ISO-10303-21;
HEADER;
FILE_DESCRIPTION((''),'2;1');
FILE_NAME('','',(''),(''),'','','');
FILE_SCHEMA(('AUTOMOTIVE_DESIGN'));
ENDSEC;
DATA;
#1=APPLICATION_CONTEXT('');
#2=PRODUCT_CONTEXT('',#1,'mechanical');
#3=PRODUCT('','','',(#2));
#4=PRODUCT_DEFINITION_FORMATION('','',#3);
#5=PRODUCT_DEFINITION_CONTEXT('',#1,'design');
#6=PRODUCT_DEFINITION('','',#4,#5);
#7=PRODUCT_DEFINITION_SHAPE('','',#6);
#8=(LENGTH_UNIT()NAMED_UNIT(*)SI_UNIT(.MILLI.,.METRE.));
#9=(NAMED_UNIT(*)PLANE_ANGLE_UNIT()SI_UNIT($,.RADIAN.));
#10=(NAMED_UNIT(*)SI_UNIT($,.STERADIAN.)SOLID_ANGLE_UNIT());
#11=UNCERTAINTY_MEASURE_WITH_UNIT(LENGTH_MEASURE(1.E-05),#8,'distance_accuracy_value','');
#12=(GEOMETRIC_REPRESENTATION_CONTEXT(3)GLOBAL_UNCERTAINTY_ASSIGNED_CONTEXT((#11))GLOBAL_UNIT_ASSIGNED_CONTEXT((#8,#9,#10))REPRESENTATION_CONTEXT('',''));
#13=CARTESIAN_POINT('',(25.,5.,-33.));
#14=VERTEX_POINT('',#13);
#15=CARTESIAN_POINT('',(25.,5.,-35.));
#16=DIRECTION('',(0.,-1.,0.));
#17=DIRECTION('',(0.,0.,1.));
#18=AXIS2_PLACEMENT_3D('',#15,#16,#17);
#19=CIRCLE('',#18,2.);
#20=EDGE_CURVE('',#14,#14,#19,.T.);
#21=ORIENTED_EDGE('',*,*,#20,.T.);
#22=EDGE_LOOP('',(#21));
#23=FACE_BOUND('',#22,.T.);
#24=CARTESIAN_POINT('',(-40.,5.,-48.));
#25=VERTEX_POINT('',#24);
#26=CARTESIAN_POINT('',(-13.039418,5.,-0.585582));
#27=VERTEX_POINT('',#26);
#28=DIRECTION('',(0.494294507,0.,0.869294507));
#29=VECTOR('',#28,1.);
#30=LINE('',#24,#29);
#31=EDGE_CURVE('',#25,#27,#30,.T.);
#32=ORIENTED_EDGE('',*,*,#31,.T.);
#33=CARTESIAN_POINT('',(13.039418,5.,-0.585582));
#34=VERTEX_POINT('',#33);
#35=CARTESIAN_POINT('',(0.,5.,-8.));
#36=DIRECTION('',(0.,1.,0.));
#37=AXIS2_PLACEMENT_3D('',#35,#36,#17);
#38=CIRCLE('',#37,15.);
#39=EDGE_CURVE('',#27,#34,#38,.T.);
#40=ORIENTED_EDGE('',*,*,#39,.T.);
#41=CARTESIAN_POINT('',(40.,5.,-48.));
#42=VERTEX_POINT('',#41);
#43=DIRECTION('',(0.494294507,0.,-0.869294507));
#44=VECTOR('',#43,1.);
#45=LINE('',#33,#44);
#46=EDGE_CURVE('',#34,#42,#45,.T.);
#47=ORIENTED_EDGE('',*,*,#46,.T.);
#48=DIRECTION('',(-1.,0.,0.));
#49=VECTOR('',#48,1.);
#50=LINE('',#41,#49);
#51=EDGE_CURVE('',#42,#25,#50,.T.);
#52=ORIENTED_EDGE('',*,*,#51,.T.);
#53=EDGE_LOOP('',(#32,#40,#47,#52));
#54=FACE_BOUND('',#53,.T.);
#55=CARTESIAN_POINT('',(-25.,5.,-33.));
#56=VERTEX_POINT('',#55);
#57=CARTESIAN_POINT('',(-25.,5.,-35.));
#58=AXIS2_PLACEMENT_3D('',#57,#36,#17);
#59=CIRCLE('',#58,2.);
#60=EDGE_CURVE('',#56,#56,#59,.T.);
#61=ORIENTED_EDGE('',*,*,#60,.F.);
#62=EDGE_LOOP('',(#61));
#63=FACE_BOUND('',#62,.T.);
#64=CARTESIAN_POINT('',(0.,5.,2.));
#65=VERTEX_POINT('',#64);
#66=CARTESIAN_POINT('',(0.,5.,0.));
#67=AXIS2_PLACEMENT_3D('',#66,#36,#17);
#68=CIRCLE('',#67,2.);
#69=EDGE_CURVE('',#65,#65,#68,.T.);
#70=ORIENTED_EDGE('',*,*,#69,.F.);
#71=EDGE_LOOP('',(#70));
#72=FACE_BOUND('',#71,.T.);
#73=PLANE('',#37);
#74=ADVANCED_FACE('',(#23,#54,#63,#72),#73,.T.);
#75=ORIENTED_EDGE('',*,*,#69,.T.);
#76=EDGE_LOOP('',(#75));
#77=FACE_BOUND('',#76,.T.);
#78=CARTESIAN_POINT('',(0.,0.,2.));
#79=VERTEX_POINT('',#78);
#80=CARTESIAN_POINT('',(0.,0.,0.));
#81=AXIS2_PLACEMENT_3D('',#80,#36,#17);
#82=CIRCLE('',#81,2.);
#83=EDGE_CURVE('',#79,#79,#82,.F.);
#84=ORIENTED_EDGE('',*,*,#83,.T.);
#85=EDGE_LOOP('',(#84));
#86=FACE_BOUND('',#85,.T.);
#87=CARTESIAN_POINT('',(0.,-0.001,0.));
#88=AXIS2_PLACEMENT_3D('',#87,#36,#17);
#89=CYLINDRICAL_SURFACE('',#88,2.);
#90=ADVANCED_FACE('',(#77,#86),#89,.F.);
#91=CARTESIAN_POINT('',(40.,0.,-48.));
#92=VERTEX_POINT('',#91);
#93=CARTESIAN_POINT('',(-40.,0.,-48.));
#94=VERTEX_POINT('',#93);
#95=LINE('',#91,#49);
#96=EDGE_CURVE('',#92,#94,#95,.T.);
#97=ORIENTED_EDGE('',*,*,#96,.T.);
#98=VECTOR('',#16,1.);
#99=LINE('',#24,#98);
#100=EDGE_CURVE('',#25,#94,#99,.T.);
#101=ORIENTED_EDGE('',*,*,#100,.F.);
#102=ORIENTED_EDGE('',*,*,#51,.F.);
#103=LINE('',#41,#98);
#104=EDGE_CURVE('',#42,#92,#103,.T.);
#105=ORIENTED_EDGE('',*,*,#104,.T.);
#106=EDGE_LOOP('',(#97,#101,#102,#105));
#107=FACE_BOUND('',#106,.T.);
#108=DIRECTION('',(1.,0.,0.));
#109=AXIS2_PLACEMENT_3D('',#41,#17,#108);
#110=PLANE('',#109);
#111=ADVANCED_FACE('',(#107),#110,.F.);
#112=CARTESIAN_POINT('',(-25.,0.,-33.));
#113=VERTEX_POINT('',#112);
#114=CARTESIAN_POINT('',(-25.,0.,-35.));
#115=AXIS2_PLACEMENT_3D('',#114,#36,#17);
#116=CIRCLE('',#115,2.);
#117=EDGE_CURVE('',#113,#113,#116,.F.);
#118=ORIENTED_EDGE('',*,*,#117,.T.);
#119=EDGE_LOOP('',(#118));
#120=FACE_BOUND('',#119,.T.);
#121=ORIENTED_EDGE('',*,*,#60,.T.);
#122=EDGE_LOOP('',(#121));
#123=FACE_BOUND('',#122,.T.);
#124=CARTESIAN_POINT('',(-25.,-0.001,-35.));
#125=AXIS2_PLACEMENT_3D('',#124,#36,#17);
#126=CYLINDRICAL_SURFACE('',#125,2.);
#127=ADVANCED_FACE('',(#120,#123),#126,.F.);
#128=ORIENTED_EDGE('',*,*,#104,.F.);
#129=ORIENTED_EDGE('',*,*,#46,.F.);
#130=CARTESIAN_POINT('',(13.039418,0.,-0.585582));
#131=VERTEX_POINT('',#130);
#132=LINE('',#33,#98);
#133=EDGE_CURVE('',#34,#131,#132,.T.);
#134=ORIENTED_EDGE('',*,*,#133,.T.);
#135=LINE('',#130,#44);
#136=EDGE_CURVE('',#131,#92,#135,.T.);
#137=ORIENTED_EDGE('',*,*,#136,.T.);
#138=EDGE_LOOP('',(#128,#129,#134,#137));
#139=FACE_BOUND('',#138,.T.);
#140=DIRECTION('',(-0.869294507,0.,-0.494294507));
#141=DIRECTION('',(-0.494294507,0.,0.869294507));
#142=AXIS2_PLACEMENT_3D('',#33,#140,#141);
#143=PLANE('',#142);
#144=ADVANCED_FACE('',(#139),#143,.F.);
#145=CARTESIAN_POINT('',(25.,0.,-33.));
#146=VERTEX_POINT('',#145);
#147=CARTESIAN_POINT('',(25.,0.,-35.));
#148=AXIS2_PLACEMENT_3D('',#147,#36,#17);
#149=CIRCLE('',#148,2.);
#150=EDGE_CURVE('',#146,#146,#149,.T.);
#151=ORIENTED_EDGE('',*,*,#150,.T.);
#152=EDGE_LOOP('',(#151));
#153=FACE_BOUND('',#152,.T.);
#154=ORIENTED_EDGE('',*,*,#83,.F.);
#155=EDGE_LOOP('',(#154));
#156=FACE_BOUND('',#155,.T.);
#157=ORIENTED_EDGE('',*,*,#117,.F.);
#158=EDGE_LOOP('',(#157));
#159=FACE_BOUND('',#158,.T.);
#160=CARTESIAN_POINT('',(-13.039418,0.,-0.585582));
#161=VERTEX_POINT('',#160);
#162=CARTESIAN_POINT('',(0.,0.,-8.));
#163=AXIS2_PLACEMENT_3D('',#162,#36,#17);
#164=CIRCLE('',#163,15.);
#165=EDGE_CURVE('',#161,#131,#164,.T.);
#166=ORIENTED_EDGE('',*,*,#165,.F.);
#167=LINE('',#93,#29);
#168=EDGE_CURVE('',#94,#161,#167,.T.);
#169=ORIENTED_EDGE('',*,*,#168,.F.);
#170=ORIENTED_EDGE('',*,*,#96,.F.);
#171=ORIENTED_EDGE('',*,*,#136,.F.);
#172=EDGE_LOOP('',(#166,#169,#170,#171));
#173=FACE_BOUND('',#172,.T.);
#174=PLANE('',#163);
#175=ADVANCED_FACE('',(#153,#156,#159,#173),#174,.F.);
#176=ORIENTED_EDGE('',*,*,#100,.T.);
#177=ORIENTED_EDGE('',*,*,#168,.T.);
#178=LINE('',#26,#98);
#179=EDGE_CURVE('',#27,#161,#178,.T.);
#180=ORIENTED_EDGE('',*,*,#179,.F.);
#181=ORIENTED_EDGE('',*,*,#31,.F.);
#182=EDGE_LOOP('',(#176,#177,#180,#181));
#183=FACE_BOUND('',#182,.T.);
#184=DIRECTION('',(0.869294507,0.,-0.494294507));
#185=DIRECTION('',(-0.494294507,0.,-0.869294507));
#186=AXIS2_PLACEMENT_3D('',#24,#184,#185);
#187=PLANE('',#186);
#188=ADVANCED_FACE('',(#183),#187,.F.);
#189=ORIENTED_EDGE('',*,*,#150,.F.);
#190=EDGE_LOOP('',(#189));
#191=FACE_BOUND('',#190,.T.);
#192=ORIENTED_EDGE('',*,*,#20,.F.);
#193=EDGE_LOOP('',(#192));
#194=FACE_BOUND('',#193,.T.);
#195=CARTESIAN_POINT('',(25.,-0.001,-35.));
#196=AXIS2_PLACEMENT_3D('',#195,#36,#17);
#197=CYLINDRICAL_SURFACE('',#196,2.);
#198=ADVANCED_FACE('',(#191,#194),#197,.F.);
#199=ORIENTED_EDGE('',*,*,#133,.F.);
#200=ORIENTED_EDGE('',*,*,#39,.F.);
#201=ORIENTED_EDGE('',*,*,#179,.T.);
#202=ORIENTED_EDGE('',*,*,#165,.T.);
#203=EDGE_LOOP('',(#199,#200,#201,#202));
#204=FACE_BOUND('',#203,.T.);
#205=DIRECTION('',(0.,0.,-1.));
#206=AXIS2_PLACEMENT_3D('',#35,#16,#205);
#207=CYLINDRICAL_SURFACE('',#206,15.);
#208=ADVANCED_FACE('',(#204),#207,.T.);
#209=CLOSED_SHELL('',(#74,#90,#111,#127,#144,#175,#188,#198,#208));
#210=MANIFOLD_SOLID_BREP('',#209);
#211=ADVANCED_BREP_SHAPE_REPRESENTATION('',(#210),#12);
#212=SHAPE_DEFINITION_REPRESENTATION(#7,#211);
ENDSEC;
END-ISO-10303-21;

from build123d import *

# Parameters (mm, degrees)
BOSS_EXTRUDE1_DEPTH = 5
CUT_EXTRUDE1_REACH  = 64.682
SKETCH2_R           = 2
CUT_EXTRUDE2_REACH  = 64.682
SKETCH3_R           = 2


with BuildPart() as part:
    # Sketch1 → Boss-Extrude1 (new body)
    with BuildSketch(Plane(origin=(0, 0, 0), x_dir=(1, 0, 0), z_dir=(0, 1, 0))):
        with BuildLine():
            Line((40, 48), (-40, 48))
            Line((-40, 48), (-13.039417607, 0.585582393))
            ThreePointArc((-13.039417607, 0.585582393), (0, -7), (13.039417607, 0.585582393))
            Line((13.039417607, 0.585582393), (40, 48))
        make_face()
    extrude(amount=BOSS_EXTRUDE1_DEPTH)

    # Sketch2 → Cut-Extrude1 (cut, up to next)
    with BuildSketch(Plane(origin=(0, 5, 0), x_dir=(1, 0, 0), z_dir=(0, 1, 0)), mode=Mode.PRIVATE) as cut_extrude1_sk1:
        with Locations(Location((-25, 35, 0), (0, 0, 270))):
            Circle(SKETCH2_R)
    cut_extrude1_tool1 = extrude(cut_extrude1_sk1.sketch, amount=-CUT_EXTRUDE1_REACH, mode=Mode.PRIVATE) & part.part
    cut_extrude1 = cut_extrude1_tool1.solids().sort_by_distance((-25, 5, -35))[0]
    add(cut_extrude1, mode=Mode.SUBTRACT)

    # Mirror1: Cut-Extrude1 across plane
    add(cut_extrude1.mirror(Plane(origin=(0, 0, 0), x_dir=(0, 0, 1), z_dir=(1, 0, 0))), mode=Mode.SUBTRACT)

    # Sketch3 → Cut-Extrude2 (cut, up to next)
    with BuildSketch(Plane(origin=(0, 5, 0), x_dir=(1, 0, 0), z_dir=(0, 1, 0)), mode=Mode.PRIVATE) as cut_extrude2_sk1:
        with Locations(Location((0, 0, 0), (0, 0, 270))):
            Circle(SKETCH3_R)
    cut_extrude2_tool1 = extrude(cut_extrude2_sk1.sketch, amount=-CUT_EXTRUDE2_REACH, mode=Mode.PRIVATE) & part.part
    add(cut_extrude2_tool1.solids().sort_by_distance((0, 5, 0))[0], mode=Mode.SUBTRACT)


solid = part.part
